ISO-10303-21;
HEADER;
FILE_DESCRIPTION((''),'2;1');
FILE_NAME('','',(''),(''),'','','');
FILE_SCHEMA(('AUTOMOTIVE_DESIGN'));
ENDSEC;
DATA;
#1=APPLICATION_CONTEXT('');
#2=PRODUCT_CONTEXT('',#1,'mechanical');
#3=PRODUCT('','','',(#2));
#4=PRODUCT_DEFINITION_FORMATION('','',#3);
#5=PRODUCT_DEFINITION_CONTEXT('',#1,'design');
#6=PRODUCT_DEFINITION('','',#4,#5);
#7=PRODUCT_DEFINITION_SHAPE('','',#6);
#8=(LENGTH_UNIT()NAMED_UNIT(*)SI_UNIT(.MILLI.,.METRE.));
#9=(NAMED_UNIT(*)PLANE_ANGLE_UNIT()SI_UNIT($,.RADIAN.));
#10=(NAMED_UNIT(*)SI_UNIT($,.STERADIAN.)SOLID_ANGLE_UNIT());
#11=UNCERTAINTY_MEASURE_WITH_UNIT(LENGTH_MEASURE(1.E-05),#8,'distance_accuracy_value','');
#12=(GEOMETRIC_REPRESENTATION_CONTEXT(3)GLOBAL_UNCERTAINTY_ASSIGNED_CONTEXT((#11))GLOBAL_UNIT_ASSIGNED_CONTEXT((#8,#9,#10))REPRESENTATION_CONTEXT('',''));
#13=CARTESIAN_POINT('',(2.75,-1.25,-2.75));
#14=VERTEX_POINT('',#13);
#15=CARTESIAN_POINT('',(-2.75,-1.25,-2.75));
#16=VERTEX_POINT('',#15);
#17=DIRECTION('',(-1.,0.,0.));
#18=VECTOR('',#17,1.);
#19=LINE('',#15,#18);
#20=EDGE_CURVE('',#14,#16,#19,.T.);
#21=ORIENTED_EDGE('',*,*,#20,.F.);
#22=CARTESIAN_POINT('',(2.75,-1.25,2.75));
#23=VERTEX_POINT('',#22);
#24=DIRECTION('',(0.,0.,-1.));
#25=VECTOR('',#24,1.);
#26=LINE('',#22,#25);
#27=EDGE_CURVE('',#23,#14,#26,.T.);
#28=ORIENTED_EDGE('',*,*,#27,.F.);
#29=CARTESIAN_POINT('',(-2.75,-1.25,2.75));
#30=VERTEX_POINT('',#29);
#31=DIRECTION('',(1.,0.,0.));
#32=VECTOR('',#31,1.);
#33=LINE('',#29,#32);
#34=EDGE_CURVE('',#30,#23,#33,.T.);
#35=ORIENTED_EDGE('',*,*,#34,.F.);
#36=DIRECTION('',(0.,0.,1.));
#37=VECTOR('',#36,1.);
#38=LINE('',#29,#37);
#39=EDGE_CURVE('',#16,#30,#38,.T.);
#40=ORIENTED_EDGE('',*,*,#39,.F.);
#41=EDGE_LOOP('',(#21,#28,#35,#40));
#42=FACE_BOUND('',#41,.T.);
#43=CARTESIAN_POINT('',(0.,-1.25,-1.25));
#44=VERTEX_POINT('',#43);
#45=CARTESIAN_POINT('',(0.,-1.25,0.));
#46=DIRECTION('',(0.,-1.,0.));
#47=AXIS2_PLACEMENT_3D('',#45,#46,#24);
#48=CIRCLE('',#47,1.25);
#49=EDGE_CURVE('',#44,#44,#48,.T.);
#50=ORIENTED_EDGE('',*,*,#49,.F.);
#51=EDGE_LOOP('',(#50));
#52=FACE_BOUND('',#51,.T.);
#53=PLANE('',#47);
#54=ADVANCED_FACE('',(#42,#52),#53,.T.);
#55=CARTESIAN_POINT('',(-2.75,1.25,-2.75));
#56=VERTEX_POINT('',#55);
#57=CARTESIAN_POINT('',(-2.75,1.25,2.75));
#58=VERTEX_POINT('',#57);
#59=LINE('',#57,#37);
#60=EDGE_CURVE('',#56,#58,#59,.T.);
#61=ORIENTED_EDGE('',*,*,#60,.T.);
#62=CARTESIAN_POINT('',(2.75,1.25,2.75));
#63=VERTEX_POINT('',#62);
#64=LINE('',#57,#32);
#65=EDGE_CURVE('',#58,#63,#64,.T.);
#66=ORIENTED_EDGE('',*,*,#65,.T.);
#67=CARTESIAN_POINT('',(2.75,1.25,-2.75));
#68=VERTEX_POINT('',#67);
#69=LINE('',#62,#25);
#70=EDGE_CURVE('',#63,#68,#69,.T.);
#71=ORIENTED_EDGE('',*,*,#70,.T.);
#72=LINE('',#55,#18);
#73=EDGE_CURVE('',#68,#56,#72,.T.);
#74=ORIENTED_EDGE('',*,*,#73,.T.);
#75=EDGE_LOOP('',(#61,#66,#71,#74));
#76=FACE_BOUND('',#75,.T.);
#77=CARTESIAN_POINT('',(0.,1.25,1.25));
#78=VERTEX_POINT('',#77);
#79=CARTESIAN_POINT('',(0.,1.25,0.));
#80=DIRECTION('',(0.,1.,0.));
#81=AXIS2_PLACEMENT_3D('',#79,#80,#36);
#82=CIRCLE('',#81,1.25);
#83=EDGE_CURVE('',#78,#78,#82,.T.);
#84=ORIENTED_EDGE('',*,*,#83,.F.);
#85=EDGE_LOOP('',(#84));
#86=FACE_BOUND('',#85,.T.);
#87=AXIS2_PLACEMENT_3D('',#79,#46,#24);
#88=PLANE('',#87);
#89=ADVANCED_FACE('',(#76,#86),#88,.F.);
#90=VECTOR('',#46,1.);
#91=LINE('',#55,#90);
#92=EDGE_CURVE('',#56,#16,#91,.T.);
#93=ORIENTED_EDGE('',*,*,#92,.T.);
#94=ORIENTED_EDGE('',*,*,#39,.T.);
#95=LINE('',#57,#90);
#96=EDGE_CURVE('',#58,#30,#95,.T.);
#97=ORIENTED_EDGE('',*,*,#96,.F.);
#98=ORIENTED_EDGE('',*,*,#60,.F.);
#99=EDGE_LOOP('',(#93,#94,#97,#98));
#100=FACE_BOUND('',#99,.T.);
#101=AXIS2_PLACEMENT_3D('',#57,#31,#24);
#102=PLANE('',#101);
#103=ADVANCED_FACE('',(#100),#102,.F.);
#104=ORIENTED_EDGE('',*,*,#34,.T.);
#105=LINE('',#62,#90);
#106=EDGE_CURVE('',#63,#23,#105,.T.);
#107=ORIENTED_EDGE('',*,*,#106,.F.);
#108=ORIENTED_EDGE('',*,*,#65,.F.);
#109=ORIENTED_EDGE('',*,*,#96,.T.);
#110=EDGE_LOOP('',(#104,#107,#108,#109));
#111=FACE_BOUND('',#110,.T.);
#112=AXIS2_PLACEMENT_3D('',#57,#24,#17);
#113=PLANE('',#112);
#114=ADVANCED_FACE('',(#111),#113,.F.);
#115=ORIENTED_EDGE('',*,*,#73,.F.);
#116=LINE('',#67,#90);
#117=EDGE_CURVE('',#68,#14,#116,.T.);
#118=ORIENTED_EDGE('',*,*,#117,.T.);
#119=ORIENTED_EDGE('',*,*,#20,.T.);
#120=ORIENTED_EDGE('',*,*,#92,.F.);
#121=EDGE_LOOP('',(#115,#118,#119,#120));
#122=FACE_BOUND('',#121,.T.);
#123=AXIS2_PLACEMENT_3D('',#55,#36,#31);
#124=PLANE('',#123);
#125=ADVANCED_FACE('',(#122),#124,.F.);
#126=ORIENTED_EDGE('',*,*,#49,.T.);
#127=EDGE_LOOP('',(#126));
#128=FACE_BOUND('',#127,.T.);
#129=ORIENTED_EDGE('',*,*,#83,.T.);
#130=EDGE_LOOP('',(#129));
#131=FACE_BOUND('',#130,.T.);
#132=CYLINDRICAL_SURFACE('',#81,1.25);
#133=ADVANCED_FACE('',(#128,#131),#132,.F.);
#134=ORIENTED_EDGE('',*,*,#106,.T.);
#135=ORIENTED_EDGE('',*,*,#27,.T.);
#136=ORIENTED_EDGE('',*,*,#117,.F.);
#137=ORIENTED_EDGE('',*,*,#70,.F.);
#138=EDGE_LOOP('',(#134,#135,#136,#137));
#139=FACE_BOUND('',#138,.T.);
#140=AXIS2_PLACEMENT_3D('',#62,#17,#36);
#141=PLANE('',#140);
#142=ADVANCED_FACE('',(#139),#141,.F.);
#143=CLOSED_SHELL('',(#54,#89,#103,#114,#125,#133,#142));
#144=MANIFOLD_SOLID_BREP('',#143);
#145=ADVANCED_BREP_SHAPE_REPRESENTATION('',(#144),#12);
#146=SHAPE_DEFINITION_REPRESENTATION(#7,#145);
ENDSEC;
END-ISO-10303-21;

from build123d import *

# Parameters (mm, degrees)
SKETCH1_W           = 5.5
SKETCH1_H           = 5.5
BOSS_EXTRUDE1_DEPTH = 1.25
SKETCH4_W           = 1.25
SKETCH4_H           = 2.501


with BuildPart() as part:
    # Sketch1 → Boss-Extrude1 (new body, symmetric)
    with BuildSketch(Plane(origin=(0, 0, 0), x_dir=(1, 0, 0), z_dir=(0, 1, 0))):
        Rectangle(SKETCH1_W, SKETCH1_H)
    extrude(amount=BOSS_EXTRUDE1_DEPTH, both=True)

    # Sketch4 → Tap Drill for M3x0.5 Tap1 (revolve, cut)
    with BuildSketch(Plane(origin=(0, 1.25, 0), x_dir=(0, 0, 1), z_dir=(1, 0, 0))):
        with Locations((0.625, 1.2505)):
            Rectangle(SKETCH4_W, SKETCH4_H)
    revolve(axis=Axis((0, 7.6, 0), (0, -1, 0)), mode=Mode.SUBTRACT)


solid = part.part
